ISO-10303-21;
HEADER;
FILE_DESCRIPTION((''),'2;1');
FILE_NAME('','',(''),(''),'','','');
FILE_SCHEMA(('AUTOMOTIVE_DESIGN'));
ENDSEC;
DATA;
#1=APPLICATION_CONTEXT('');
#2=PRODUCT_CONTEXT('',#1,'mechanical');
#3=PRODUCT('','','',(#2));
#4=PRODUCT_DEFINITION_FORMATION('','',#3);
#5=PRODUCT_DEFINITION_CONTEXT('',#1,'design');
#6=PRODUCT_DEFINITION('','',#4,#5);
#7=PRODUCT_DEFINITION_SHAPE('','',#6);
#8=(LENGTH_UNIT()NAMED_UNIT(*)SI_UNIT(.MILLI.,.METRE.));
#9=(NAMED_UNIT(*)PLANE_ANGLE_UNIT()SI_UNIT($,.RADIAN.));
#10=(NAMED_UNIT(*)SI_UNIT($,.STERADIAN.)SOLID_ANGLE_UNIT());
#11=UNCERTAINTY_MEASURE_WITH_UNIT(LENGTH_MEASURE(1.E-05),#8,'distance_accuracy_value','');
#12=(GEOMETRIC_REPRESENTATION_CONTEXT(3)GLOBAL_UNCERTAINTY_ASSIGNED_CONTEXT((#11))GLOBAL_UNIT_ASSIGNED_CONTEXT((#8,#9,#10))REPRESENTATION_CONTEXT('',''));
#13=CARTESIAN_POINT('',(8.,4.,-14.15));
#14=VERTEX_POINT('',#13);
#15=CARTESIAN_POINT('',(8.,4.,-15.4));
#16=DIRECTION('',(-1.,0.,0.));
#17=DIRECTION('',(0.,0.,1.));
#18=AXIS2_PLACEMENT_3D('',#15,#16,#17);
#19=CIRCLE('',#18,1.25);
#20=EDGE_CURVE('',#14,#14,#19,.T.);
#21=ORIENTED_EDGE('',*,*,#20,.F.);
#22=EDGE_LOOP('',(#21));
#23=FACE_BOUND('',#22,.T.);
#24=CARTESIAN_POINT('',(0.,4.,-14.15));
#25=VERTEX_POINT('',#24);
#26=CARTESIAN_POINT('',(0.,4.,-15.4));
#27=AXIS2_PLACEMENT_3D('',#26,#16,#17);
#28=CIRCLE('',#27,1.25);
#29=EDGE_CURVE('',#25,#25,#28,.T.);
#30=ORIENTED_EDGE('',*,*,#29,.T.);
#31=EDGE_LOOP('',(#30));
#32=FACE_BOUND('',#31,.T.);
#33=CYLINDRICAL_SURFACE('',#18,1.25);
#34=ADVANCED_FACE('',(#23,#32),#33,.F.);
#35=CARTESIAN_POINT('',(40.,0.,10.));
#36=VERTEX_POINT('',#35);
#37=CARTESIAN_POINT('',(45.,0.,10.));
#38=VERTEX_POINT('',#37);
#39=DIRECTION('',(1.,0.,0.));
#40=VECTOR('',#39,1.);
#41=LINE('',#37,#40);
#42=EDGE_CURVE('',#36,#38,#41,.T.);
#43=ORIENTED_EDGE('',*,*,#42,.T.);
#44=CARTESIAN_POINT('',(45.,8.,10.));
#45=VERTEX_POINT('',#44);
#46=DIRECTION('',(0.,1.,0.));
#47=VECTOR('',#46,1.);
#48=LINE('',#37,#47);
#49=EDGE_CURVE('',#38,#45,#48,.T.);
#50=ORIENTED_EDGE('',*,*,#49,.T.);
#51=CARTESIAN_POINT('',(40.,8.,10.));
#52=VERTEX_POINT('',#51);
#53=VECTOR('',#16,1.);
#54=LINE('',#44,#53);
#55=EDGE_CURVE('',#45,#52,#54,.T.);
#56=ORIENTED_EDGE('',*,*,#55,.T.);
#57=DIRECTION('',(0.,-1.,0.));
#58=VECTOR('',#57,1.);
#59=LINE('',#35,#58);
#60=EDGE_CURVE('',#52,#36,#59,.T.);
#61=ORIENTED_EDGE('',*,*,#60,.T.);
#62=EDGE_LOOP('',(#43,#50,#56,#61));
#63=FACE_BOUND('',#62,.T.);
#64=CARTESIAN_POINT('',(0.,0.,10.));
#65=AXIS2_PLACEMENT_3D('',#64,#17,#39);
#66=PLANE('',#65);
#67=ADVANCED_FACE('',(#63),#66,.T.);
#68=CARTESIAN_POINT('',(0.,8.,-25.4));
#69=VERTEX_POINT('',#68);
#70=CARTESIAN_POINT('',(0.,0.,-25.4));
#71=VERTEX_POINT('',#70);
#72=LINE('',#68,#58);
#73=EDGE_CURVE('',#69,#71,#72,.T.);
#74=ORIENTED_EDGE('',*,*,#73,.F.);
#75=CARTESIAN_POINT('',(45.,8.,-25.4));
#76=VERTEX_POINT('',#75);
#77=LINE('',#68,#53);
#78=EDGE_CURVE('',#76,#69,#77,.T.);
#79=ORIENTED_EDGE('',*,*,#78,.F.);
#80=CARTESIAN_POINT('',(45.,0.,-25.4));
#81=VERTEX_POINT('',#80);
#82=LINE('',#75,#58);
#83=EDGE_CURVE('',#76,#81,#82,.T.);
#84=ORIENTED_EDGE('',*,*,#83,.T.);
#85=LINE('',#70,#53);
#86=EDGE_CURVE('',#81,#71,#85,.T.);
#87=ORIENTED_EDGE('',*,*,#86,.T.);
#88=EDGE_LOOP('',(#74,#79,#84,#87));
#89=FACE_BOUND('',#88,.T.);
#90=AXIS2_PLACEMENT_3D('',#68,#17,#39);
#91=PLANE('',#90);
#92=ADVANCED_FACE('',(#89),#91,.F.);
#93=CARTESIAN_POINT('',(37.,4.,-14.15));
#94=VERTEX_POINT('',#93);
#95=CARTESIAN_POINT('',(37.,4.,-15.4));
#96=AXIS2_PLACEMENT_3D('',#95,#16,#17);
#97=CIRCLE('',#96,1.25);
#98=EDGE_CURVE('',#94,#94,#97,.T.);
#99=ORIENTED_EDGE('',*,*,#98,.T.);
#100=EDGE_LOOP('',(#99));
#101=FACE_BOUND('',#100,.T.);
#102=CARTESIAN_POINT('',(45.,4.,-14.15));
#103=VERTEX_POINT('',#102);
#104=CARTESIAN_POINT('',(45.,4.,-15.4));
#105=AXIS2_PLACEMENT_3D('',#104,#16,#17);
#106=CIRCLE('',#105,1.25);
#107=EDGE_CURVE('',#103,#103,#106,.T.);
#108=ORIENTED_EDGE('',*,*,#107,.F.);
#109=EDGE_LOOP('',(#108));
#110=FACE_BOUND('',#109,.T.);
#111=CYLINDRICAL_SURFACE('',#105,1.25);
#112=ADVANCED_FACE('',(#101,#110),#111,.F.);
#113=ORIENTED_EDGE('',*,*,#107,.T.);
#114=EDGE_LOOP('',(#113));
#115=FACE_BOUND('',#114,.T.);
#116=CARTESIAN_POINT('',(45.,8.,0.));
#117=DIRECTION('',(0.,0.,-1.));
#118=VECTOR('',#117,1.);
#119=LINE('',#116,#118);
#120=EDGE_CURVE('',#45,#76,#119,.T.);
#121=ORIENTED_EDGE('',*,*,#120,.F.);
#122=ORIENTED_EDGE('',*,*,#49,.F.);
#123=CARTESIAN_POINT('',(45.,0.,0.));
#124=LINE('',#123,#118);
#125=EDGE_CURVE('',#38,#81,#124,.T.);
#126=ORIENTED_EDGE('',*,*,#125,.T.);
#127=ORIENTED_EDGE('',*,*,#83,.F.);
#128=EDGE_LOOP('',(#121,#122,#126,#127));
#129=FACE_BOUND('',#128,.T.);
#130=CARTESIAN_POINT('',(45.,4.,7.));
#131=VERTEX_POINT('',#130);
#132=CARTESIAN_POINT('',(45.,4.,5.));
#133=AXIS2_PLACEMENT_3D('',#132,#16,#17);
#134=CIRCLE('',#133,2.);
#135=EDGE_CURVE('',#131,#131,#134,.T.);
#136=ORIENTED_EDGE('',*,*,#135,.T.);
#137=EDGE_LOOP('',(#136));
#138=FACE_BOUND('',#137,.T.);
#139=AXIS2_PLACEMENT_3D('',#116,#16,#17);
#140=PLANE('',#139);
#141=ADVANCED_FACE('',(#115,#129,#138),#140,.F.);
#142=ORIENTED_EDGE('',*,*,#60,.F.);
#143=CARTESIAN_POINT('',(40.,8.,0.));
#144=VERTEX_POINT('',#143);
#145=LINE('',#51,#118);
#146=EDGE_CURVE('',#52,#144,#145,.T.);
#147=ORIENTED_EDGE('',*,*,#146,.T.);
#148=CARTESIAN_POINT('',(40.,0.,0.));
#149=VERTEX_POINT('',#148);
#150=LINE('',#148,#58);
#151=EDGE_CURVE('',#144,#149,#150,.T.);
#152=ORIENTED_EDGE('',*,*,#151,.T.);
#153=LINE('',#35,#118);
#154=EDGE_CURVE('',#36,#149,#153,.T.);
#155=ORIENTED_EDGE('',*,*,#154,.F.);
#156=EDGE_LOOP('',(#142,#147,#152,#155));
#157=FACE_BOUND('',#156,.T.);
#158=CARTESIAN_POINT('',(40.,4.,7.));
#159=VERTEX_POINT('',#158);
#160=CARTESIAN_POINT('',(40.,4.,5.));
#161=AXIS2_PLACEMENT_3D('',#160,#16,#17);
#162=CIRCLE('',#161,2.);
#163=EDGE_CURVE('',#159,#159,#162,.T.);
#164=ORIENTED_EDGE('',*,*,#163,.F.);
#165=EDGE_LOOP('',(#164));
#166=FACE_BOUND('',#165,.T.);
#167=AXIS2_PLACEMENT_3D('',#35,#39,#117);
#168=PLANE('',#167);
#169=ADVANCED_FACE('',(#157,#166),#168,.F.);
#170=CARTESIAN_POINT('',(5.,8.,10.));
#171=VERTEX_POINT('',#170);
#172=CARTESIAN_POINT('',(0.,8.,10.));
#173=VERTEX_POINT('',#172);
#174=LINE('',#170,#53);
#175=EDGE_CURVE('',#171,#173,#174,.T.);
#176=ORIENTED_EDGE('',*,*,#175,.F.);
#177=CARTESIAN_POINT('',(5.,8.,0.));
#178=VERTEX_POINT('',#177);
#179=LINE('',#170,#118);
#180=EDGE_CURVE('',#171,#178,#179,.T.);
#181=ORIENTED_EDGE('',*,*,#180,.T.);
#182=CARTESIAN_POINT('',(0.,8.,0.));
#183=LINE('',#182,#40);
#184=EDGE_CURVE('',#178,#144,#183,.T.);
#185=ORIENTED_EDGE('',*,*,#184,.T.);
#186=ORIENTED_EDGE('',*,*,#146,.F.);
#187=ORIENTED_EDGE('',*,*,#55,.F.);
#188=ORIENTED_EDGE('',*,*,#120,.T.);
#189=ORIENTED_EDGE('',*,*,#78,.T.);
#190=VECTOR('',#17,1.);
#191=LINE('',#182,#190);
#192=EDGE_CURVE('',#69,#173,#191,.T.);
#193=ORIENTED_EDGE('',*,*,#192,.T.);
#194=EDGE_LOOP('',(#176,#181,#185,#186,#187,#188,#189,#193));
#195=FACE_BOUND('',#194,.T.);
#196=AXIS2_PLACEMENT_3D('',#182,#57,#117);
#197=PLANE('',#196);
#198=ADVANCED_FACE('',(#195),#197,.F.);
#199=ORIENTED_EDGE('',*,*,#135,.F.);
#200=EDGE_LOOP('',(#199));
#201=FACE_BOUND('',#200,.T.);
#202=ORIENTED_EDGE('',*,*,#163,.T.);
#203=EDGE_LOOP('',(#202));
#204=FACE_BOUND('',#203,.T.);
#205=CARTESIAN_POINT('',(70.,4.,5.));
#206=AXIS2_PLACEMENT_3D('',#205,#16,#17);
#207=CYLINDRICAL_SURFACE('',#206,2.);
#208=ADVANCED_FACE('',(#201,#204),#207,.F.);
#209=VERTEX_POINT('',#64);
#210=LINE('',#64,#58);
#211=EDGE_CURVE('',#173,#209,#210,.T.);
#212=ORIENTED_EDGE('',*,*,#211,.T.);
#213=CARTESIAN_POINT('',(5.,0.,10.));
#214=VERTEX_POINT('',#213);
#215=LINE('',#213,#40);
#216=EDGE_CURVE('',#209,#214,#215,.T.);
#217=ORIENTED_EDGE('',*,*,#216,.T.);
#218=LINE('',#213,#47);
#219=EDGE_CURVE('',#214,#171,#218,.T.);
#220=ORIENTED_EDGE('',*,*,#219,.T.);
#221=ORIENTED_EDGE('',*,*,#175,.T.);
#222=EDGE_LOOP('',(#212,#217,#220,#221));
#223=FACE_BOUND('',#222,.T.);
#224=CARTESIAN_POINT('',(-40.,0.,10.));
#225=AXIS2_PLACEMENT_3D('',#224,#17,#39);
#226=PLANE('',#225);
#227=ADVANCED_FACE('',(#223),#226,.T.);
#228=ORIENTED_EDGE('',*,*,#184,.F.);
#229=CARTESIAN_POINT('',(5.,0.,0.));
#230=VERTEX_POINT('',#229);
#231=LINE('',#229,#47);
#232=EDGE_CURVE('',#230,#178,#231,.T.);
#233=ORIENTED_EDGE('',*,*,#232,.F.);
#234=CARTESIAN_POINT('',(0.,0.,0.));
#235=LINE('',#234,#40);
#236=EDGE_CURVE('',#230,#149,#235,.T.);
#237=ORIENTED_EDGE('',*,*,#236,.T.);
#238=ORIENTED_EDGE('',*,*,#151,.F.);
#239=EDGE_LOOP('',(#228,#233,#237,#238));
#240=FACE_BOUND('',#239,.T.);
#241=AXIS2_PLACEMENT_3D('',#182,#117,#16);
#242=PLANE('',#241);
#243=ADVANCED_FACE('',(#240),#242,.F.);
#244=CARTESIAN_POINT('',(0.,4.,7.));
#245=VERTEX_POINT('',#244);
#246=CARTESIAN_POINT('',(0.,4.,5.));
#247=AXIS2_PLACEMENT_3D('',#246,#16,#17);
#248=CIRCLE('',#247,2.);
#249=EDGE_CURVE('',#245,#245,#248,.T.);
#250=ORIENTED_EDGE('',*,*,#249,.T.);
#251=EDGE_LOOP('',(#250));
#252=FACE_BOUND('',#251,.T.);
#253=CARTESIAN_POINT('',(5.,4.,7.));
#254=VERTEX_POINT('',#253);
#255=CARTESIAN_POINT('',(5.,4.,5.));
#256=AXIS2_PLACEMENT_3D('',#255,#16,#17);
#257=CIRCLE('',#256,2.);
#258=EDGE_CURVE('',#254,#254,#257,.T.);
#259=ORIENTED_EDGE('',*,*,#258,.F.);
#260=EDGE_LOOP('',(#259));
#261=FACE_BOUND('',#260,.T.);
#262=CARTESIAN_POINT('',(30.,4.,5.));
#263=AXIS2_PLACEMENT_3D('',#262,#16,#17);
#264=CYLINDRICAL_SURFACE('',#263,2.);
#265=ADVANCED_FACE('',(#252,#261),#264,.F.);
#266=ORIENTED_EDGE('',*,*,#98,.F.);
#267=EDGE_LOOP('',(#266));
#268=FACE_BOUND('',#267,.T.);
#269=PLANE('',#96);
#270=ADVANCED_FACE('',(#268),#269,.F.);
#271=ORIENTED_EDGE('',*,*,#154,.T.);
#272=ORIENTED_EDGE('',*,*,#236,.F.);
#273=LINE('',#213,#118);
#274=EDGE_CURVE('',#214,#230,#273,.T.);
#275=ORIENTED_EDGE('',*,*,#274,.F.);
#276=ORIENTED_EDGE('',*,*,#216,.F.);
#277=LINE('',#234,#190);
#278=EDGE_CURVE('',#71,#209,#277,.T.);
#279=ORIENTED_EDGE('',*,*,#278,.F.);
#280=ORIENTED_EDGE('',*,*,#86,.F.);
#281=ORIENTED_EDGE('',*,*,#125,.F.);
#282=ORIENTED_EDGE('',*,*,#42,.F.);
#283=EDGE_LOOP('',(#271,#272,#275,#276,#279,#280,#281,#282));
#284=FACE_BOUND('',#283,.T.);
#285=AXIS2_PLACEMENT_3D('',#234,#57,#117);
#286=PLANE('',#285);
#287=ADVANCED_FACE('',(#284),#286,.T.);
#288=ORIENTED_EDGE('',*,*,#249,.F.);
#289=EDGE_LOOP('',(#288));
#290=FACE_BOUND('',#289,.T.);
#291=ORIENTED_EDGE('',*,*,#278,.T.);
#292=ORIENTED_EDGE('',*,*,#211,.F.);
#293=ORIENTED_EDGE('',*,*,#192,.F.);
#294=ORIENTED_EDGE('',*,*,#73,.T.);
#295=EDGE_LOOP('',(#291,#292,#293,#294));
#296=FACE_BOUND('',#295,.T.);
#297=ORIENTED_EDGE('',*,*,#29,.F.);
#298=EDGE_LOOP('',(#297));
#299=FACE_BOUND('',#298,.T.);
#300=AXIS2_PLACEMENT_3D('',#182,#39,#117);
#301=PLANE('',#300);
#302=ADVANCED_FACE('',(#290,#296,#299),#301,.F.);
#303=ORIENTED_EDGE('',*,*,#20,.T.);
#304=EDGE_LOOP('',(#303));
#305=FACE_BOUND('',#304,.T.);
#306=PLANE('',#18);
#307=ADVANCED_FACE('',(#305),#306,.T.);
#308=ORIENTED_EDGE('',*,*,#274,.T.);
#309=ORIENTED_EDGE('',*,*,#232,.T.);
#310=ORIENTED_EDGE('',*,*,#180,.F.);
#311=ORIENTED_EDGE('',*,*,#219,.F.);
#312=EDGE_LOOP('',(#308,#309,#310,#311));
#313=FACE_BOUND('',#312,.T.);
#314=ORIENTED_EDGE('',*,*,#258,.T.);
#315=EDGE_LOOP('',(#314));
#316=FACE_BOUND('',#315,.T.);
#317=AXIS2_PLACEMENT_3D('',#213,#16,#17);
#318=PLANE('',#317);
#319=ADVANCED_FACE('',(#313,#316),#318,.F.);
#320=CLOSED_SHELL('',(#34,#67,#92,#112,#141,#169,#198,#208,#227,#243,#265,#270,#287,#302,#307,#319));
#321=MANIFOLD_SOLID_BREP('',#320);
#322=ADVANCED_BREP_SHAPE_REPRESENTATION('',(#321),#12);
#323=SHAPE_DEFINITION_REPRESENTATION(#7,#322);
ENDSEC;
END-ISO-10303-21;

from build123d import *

# Parameters (mm, degrees)
SKETCH1_W           = 45
SKETCH1_H           = 25.4
BOSS_EXTRUDE1_DEPTH = 8
SKETCH2_W           = 5
SKETCH2_H           = 8
BOSS_EXTRUDE2_DEPTH = 10
SKETCH3_R           = 2
CUT_EXTRUDE1_DEPTH  = 30
LPATTERN1_COUNT     = 2
LPATTERN1_PITCH     = 40
SKETCH4_R           = 1.25
CUT_EXTRUDE2_DEPTH  = 8
LPATTERN2_COUNT     = 2
LPATTERN2_PITCH     = 37


with BuildPart() as part:
    # Sketch1 → Boss-Extrude1 (new body)
    with BuildSketch(Plane(origin=(0, 0, 0), x_dir=(1, 0, 0), z_dir=(0, 1, 0))):
        with Locations((22.5, 12.7)):
            Rectangle(SKETCH1_W, SKETCH1_H)
    extrude(amount=BOSS_EXTRUDE1_DEPTH)

    # Sketch2 → Boss-Extrude2 (add)
    with BuildSketch(Plane.XY):
        with Locations((42.5, 4)):
            Rectangle(SKETCH2_W, SKETCH2_H)
    boss_extrude2 = extrude(amount=BOSS_EXTRUDE2_DEPTH)

    # Sketch3 → Cut-Extrude1 (cut)
    with BuildSketch(Plane.ZY.offset(-40)):
        with Locations((5, 4)):
            Circle(SKETCH3_R)
    cut_extrude1 = extrude(amount=-CUT_EXTRUDE1_DEPTH, mode=Mode.SUBTRACT)

    # LPattern1: Boss-Extrude2, Cut-Extrude1 ×2
    with Locations(*[(-i * LPATTERN1_PITCH, 0, 0) for i in range(1, LPATTERN1_COUNT)]):
        add(boss_extrude2)
        add(cut_extrude1, mode=Mode.SUBTRACT)

    # Sketch4 → Cut-Extrude2 (cut)
    with BuildSketch(Plane.ZY):
        with Locations((-15.4, 4)):
            Circle(SKETCH4_R)
    cut_extrude2 = extrude(amount=-CUT_EXTRUDE2_DEPTH, mode=Mode.SUBTRACT)

    # LPattern2: Cut-Extrude2 ×2
    with Locations(*[(i * LPATTERN2_PITCH, 0, 0) for i in range(1, LPATTERN2_COUNT)]):
        add(cut_extrude2, mode=Mode.SUBTRACT)


solid = part.part
